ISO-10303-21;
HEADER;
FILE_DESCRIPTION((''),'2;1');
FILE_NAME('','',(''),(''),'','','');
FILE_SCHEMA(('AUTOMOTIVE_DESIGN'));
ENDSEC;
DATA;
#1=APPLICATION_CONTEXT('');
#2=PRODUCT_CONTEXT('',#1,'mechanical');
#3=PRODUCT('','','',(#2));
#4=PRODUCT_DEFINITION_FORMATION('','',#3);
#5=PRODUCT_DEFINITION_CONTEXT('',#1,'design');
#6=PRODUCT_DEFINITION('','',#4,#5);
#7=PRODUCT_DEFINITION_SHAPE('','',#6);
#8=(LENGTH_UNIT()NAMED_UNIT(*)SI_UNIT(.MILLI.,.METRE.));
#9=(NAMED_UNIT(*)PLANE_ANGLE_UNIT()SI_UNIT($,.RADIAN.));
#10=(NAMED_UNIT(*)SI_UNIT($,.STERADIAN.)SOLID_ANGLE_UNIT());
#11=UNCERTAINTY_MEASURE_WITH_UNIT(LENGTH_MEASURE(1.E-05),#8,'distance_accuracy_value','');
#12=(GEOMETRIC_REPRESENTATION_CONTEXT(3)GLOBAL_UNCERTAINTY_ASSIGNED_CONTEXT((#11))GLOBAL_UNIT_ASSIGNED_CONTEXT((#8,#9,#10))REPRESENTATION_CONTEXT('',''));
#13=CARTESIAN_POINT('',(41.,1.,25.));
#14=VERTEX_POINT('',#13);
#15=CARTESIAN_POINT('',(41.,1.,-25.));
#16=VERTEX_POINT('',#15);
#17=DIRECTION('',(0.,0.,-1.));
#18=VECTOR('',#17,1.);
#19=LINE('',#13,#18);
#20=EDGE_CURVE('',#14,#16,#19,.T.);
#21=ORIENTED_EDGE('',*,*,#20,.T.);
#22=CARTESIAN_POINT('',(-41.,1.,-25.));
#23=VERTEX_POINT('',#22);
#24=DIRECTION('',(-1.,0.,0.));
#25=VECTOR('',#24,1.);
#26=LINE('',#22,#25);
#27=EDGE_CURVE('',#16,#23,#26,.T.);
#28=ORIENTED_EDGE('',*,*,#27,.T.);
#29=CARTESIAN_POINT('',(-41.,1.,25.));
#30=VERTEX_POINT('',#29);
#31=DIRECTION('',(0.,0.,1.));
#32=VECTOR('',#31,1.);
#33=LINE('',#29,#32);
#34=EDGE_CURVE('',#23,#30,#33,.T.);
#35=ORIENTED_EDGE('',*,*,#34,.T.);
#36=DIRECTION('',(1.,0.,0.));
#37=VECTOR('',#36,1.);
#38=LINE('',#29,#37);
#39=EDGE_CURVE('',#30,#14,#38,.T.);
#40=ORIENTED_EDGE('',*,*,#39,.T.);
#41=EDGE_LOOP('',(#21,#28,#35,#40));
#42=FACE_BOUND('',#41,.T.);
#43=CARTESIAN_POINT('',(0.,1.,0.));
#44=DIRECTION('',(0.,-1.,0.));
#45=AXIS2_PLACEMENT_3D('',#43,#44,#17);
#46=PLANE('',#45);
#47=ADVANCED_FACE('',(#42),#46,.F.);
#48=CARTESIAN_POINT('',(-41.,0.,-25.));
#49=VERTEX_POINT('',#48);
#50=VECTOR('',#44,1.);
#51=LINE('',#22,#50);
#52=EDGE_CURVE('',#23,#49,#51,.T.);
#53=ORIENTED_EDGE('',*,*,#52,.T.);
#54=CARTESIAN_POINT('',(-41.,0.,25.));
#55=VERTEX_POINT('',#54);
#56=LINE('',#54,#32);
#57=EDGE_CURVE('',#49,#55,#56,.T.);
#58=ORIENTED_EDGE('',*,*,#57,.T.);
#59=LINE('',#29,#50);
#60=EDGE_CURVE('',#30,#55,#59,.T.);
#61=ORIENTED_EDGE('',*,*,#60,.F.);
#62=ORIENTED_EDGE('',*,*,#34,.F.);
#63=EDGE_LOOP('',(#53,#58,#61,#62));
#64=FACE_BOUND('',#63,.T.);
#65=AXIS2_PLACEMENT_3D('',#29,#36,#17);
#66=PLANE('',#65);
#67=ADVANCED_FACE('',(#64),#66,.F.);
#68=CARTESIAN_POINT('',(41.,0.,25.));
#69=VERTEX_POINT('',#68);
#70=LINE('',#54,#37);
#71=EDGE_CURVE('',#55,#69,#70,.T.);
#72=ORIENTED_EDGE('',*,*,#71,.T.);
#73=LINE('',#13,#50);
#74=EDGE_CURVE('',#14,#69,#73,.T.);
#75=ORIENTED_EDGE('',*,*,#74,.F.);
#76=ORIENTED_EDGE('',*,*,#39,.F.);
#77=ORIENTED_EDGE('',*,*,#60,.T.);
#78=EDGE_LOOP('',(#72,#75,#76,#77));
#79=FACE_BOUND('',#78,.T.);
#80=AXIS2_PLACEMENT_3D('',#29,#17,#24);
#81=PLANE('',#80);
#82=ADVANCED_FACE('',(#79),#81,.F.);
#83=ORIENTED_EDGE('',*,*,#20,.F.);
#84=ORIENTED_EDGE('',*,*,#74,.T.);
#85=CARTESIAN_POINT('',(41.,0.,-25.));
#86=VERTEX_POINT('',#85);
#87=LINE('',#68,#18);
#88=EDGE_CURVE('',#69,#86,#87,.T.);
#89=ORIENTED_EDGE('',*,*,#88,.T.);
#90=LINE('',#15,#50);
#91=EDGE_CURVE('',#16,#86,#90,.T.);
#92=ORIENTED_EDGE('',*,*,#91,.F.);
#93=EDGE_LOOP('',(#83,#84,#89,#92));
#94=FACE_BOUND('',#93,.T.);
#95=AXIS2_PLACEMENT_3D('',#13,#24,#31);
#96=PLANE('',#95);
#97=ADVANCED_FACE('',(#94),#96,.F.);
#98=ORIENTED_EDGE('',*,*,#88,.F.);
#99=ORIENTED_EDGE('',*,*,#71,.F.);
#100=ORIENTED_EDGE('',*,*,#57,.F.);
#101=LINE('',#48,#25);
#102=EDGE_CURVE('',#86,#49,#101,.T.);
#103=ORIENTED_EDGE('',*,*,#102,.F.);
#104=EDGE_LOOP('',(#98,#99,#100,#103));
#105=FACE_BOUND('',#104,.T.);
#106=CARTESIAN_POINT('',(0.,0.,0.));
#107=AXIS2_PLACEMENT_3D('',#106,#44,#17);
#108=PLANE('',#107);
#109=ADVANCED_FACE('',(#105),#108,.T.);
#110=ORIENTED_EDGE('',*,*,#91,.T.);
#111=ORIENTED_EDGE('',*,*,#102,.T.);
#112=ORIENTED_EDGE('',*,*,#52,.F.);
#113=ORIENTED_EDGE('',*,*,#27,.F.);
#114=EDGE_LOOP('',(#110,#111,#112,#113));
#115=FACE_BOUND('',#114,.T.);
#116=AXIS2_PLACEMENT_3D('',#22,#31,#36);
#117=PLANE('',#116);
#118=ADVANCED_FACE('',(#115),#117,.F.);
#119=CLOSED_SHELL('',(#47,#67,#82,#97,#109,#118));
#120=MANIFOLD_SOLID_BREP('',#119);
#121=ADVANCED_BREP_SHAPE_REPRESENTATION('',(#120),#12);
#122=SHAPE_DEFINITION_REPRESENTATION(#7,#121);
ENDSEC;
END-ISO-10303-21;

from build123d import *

# Parameters (mm, degrees)
ESBO_O1_W                = 82
ESBO_O1_H                = 50
RESSALTO_EXTRUS_O1_DEPTH = 1


with BuildPart() as part:
    # Esboço1 → Ressalto-extrusão1 (new body)
    with BuildSketch(Plane(origin=(0, 0, 0), x_dir=(1, 0, 0), z_dir=(0, 1, 0))):
        Rectangle(ESBO_O1_W, ESBO_O1_H)
    extrude(amount=RESSALTO_EXTRUS_O1_DEPTH)


solid = part.part
